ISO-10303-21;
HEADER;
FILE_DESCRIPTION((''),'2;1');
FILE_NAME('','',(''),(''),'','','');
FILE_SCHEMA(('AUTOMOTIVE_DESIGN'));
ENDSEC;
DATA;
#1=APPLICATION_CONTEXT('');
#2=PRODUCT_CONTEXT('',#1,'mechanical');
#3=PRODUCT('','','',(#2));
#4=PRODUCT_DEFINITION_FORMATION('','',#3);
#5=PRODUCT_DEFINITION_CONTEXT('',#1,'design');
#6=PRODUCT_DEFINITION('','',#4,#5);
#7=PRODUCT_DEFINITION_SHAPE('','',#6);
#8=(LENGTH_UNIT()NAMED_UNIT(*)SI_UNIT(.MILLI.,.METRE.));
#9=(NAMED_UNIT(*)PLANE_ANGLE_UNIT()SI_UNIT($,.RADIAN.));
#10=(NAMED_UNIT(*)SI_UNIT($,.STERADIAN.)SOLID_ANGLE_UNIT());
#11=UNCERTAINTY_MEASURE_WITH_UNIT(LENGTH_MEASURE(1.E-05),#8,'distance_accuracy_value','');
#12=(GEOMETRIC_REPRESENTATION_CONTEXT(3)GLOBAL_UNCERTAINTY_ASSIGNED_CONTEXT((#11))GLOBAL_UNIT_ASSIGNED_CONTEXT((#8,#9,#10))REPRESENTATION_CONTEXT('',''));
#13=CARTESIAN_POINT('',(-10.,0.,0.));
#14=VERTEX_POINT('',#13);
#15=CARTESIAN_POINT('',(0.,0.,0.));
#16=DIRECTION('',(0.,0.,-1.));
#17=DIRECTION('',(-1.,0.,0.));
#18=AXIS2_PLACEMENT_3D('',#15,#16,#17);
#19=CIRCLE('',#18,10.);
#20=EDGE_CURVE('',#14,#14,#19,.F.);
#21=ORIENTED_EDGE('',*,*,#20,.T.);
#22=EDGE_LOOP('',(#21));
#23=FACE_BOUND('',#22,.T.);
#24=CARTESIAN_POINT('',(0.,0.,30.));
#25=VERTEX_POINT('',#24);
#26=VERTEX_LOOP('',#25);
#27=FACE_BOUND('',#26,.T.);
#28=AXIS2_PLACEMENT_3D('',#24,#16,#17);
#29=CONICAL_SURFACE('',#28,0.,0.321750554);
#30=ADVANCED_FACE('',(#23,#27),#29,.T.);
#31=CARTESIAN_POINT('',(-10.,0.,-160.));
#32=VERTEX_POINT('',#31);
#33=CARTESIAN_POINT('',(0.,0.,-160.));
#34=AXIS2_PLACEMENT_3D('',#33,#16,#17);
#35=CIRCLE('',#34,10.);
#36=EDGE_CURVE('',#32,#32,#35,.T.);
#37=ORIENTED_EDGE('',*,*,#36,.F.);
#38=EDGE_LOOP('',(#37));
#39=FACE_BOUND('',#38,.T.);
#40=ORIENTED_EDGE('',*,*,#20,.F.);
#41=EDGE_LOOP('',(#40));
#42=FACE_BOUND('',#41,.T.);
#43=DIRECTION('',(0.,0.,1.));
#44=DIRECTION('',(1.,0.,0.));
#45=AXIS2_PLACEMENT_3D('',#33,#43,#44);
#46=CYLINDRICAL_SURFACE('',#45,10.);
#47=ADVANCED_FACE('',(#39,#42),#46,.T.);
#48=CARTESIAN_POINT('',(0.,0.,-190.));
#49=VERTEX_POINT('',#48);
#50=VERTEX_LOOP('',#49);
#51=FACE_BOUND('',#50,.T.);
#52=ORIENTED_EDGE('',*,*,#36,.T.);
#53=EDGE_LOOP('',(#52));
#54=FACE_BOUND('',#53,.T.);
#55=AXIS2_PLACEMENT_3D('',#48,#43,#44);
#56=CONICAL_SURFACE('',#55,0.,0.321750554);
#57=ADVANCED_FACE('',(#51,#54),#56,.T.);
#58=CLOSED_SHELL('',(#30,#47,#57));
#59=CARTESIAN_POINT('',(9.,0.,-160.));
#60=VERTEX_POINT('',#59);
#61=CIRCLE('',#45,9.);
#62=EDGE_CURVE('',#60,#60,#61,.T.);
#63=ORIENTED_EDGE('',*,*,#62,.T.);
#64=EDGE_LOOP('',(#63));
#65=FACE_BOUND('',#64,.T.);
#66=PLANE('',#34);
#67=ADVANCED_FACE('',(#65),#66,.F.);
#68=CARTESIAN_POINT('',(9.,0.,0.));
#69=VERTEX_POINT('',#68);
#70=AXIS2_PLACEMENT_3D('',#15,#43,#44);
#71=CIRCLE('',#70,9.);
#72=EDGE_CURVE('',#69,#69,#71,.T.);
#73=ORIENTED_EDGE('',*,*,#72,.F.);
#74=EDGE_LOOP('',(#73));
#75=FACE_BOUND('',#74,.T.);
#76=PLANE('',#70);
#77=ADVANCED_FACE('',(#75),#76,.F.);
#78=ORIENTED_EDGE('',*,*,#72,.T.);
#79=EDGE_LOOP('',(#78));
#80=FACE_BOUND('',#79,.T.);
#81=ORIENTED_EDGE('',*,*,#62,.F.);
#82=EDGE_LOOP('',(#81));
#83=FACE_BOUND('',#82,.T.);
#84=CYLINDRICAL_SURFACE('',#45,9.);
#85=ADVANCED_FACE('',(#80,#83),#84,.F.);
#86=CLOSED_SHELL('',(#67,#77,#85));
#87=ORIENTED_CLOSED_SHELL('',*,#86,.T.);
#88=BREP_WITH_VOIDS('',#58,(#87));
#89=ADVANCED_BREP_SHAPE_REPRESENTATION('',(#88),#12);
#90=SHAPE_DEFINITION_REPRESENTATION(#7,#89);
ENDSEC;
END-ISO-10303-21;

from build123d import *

# Parameters (mm, degrees)
SKETCH1_R           = 10
SKETCH1_R_2         = 9
BOSS_EXTRUDE1_DEPTH = 160
SKETCH3_R           = 10
SKETCH7_R           = 10


with BuildPart() as part:
    # Sketch1 → Boss-Extrude1 (new body)
    with BuildSketch(Plane.XY):
        Circle(SKETCH1_R)
        Circle(SKETCH1_R_2, mode=Mode.SUBTRACT)
    extrude(amount=-BOSS_EXTRUDE1_DEPTH)

    # Sketch3 → Loft3 section 0
    with BuildSketch(Plane.XY, mode=Mode.PRIVATE) as loft3_s0:
        Circle(SKETCH3_R)
    loft([loft3_s0.sketch, Vertex(0, 0, 30)])

    # Sketch7 → Loft4 section 0
    with BuildSketch(Plane(origin=(0, 0, -160), x_dir=(-1, 0, 0), z_dir=(0, 0, -1)), mode=Mode.PRIVATE) as loft4_s0:
        Circle(SKETCH7_R)
    loft([loft4_s0.sketch, Vertex(0, 0, -190)])


solid = part.part
